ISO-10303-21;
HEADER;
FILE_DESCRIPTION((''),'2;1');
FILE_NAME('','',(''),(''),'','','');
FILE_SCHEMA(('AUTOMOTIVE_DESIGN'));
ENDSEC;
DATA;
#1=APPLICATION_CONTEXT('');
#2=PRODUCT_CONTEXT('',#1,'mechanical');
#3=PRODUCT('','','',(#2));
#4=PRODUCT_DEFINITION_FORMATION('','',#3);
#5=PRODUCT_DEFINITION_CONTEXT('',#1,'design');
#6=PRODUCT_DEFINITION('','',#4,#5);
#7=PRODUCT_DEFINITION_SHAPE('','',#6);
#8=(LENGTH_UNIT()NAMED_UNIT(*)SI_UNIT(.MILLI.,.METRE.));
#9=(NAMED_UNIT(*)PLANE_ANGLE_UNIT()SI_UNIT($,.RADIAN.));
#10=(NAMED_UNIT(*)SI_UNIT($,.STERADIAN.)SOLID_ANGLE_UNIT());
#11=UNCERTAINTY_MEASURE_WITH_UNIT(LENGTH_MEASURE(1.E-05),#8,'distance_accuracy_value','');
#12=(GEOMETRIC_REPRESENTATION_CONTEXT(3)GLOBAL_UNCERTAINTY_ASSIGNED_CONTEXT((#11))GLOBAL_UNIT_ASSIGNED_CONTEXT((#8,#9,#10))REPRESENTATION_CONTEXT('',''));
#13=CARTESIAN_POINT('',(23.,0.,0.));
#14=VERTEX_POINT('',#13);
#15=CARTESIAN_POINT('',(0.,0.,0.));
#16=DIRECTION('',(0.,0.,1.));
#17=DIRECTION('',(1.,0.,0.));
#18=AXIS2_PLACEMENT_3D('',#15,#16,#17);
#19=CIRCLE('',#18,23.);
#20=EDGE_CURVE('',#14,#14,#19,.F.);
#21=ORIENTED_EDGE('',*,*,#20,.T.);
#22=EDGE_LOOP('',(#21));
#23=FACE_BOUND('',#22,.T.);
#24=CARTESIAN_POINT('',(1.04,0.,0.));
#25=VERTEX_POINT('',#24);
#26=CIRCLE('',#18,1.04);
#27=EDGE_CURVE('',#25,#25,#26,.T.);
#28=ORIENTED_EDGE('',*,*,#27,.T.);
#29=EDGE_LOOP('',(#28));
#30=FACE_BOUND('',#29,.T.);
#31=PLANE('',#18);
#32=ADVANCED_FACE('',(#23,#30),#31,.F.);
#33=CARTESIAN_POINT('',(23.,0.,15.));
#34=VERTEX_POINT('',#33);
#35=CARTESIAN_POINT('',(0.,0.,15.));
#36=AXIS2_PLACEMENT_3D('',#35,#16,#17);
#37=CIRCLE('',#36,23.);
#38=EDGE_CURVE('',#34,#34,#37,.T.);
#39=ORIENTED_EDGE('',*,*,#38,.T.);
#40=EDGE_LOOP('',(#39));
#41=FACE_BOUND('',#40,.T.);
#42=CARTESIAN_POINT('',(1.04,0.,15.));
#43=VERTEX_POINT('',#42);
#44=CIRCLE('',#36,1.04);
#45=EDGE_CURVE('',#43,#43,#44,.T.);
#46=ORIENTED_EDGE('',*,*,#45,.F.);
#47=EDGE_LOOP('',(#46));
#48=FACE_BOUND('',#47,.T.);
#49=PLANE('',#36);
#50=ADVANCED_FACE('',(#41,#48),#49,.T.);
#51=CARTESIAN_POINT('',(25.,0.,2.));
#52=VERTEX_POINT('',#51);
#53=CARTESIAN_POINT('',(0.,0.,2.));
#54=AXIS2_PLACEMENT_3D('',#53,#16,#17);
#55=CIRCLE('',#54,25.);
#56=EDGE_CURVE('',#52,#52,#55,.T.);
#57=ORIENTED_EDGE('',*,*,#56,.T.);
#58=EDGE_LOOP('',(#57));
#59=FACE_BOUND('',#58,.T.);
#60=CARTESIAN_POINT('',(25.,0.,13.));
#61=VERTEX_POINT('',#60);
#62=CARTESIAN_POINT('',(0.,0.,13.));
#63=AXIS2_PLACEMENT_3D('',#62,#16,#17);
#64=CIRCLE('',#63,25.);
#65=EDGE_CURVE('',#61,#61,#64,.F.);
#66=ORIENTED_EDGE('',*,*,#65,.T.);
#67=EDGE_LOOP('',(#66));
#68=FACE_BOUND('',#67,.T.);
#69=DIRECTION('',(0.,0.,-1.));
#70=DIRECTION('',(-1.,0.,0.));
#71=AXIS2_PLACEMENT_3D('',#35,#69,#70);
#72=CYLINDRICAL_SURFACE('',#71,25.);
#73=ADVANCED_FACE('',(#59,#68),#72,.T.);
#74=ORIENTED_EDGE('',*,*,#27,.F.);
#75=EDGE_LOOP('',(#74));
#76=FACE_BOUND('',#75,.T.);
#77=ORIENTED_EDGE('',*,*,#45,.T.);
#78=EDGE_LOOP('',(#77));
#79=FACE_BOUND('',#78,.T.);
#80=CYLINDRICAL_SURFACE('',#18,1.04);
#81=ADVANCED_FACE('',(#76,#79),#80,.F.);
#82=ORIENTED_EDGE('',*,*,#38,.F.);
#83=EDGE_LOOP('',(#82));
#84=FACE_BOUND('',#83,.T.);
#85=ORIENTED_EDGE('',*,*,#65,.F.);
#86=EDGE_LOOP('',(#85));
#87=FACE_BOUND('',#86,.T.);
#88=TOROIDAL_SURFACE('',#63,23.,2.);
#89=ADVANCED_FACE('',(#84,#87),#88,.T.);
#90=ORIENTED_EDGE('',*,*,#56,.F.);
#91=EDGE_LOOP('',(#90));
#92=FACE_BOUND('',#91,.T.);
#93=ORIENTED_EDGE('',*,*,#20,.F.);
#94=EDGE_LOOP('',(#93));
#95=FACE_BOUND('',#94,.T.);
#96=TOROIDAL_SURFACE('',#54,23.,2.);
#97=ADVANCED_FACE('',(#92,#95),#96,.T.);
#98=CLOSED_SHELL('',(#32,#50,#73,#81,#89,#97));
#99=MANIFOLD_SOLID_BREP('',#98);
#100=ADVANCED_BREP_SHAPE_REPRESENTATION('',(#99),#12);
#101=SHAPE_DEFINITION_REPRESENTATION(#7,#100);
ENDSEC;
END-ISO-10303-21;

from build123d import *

# Parameters (mm, degrees)
SKETCH1_R           = 25
BOSS_EXTRUDE1_DEPTH = 15
FILLET1_R           = 2
SKETCH7_R           = 1.04
CUT_EXTRUDE2_DEPTH  = 39.405728804


with BuildPart() as part:
    # Sketch1 → Boss-Extrude1 (new body)
    with BuildSketch(Plane.XY):
        Circle(SKETCH1_R)
    extrude(amount=BOSS_EXTRUDE1_DEPTH)

    # Fillet1
    fillet1_edges = [part.edges().sort_by_distance(p)[0] for p in [
        (-25, 0, 0),
        (-25, 0, 15),
    ]]
    fillet(fillet1_edges, radius=FILLET1_R)

    # Sketch7 → Cut-Extrude2 (cut, through all)
    with BuildSketch(Plane.XY.offset(15)):
        Circle(SKETCH7_R)
    extrude(amount=-CUT_EXTRUDE2_DEPTH, mode=Mode.SUBTRACT)


solid = part.part
